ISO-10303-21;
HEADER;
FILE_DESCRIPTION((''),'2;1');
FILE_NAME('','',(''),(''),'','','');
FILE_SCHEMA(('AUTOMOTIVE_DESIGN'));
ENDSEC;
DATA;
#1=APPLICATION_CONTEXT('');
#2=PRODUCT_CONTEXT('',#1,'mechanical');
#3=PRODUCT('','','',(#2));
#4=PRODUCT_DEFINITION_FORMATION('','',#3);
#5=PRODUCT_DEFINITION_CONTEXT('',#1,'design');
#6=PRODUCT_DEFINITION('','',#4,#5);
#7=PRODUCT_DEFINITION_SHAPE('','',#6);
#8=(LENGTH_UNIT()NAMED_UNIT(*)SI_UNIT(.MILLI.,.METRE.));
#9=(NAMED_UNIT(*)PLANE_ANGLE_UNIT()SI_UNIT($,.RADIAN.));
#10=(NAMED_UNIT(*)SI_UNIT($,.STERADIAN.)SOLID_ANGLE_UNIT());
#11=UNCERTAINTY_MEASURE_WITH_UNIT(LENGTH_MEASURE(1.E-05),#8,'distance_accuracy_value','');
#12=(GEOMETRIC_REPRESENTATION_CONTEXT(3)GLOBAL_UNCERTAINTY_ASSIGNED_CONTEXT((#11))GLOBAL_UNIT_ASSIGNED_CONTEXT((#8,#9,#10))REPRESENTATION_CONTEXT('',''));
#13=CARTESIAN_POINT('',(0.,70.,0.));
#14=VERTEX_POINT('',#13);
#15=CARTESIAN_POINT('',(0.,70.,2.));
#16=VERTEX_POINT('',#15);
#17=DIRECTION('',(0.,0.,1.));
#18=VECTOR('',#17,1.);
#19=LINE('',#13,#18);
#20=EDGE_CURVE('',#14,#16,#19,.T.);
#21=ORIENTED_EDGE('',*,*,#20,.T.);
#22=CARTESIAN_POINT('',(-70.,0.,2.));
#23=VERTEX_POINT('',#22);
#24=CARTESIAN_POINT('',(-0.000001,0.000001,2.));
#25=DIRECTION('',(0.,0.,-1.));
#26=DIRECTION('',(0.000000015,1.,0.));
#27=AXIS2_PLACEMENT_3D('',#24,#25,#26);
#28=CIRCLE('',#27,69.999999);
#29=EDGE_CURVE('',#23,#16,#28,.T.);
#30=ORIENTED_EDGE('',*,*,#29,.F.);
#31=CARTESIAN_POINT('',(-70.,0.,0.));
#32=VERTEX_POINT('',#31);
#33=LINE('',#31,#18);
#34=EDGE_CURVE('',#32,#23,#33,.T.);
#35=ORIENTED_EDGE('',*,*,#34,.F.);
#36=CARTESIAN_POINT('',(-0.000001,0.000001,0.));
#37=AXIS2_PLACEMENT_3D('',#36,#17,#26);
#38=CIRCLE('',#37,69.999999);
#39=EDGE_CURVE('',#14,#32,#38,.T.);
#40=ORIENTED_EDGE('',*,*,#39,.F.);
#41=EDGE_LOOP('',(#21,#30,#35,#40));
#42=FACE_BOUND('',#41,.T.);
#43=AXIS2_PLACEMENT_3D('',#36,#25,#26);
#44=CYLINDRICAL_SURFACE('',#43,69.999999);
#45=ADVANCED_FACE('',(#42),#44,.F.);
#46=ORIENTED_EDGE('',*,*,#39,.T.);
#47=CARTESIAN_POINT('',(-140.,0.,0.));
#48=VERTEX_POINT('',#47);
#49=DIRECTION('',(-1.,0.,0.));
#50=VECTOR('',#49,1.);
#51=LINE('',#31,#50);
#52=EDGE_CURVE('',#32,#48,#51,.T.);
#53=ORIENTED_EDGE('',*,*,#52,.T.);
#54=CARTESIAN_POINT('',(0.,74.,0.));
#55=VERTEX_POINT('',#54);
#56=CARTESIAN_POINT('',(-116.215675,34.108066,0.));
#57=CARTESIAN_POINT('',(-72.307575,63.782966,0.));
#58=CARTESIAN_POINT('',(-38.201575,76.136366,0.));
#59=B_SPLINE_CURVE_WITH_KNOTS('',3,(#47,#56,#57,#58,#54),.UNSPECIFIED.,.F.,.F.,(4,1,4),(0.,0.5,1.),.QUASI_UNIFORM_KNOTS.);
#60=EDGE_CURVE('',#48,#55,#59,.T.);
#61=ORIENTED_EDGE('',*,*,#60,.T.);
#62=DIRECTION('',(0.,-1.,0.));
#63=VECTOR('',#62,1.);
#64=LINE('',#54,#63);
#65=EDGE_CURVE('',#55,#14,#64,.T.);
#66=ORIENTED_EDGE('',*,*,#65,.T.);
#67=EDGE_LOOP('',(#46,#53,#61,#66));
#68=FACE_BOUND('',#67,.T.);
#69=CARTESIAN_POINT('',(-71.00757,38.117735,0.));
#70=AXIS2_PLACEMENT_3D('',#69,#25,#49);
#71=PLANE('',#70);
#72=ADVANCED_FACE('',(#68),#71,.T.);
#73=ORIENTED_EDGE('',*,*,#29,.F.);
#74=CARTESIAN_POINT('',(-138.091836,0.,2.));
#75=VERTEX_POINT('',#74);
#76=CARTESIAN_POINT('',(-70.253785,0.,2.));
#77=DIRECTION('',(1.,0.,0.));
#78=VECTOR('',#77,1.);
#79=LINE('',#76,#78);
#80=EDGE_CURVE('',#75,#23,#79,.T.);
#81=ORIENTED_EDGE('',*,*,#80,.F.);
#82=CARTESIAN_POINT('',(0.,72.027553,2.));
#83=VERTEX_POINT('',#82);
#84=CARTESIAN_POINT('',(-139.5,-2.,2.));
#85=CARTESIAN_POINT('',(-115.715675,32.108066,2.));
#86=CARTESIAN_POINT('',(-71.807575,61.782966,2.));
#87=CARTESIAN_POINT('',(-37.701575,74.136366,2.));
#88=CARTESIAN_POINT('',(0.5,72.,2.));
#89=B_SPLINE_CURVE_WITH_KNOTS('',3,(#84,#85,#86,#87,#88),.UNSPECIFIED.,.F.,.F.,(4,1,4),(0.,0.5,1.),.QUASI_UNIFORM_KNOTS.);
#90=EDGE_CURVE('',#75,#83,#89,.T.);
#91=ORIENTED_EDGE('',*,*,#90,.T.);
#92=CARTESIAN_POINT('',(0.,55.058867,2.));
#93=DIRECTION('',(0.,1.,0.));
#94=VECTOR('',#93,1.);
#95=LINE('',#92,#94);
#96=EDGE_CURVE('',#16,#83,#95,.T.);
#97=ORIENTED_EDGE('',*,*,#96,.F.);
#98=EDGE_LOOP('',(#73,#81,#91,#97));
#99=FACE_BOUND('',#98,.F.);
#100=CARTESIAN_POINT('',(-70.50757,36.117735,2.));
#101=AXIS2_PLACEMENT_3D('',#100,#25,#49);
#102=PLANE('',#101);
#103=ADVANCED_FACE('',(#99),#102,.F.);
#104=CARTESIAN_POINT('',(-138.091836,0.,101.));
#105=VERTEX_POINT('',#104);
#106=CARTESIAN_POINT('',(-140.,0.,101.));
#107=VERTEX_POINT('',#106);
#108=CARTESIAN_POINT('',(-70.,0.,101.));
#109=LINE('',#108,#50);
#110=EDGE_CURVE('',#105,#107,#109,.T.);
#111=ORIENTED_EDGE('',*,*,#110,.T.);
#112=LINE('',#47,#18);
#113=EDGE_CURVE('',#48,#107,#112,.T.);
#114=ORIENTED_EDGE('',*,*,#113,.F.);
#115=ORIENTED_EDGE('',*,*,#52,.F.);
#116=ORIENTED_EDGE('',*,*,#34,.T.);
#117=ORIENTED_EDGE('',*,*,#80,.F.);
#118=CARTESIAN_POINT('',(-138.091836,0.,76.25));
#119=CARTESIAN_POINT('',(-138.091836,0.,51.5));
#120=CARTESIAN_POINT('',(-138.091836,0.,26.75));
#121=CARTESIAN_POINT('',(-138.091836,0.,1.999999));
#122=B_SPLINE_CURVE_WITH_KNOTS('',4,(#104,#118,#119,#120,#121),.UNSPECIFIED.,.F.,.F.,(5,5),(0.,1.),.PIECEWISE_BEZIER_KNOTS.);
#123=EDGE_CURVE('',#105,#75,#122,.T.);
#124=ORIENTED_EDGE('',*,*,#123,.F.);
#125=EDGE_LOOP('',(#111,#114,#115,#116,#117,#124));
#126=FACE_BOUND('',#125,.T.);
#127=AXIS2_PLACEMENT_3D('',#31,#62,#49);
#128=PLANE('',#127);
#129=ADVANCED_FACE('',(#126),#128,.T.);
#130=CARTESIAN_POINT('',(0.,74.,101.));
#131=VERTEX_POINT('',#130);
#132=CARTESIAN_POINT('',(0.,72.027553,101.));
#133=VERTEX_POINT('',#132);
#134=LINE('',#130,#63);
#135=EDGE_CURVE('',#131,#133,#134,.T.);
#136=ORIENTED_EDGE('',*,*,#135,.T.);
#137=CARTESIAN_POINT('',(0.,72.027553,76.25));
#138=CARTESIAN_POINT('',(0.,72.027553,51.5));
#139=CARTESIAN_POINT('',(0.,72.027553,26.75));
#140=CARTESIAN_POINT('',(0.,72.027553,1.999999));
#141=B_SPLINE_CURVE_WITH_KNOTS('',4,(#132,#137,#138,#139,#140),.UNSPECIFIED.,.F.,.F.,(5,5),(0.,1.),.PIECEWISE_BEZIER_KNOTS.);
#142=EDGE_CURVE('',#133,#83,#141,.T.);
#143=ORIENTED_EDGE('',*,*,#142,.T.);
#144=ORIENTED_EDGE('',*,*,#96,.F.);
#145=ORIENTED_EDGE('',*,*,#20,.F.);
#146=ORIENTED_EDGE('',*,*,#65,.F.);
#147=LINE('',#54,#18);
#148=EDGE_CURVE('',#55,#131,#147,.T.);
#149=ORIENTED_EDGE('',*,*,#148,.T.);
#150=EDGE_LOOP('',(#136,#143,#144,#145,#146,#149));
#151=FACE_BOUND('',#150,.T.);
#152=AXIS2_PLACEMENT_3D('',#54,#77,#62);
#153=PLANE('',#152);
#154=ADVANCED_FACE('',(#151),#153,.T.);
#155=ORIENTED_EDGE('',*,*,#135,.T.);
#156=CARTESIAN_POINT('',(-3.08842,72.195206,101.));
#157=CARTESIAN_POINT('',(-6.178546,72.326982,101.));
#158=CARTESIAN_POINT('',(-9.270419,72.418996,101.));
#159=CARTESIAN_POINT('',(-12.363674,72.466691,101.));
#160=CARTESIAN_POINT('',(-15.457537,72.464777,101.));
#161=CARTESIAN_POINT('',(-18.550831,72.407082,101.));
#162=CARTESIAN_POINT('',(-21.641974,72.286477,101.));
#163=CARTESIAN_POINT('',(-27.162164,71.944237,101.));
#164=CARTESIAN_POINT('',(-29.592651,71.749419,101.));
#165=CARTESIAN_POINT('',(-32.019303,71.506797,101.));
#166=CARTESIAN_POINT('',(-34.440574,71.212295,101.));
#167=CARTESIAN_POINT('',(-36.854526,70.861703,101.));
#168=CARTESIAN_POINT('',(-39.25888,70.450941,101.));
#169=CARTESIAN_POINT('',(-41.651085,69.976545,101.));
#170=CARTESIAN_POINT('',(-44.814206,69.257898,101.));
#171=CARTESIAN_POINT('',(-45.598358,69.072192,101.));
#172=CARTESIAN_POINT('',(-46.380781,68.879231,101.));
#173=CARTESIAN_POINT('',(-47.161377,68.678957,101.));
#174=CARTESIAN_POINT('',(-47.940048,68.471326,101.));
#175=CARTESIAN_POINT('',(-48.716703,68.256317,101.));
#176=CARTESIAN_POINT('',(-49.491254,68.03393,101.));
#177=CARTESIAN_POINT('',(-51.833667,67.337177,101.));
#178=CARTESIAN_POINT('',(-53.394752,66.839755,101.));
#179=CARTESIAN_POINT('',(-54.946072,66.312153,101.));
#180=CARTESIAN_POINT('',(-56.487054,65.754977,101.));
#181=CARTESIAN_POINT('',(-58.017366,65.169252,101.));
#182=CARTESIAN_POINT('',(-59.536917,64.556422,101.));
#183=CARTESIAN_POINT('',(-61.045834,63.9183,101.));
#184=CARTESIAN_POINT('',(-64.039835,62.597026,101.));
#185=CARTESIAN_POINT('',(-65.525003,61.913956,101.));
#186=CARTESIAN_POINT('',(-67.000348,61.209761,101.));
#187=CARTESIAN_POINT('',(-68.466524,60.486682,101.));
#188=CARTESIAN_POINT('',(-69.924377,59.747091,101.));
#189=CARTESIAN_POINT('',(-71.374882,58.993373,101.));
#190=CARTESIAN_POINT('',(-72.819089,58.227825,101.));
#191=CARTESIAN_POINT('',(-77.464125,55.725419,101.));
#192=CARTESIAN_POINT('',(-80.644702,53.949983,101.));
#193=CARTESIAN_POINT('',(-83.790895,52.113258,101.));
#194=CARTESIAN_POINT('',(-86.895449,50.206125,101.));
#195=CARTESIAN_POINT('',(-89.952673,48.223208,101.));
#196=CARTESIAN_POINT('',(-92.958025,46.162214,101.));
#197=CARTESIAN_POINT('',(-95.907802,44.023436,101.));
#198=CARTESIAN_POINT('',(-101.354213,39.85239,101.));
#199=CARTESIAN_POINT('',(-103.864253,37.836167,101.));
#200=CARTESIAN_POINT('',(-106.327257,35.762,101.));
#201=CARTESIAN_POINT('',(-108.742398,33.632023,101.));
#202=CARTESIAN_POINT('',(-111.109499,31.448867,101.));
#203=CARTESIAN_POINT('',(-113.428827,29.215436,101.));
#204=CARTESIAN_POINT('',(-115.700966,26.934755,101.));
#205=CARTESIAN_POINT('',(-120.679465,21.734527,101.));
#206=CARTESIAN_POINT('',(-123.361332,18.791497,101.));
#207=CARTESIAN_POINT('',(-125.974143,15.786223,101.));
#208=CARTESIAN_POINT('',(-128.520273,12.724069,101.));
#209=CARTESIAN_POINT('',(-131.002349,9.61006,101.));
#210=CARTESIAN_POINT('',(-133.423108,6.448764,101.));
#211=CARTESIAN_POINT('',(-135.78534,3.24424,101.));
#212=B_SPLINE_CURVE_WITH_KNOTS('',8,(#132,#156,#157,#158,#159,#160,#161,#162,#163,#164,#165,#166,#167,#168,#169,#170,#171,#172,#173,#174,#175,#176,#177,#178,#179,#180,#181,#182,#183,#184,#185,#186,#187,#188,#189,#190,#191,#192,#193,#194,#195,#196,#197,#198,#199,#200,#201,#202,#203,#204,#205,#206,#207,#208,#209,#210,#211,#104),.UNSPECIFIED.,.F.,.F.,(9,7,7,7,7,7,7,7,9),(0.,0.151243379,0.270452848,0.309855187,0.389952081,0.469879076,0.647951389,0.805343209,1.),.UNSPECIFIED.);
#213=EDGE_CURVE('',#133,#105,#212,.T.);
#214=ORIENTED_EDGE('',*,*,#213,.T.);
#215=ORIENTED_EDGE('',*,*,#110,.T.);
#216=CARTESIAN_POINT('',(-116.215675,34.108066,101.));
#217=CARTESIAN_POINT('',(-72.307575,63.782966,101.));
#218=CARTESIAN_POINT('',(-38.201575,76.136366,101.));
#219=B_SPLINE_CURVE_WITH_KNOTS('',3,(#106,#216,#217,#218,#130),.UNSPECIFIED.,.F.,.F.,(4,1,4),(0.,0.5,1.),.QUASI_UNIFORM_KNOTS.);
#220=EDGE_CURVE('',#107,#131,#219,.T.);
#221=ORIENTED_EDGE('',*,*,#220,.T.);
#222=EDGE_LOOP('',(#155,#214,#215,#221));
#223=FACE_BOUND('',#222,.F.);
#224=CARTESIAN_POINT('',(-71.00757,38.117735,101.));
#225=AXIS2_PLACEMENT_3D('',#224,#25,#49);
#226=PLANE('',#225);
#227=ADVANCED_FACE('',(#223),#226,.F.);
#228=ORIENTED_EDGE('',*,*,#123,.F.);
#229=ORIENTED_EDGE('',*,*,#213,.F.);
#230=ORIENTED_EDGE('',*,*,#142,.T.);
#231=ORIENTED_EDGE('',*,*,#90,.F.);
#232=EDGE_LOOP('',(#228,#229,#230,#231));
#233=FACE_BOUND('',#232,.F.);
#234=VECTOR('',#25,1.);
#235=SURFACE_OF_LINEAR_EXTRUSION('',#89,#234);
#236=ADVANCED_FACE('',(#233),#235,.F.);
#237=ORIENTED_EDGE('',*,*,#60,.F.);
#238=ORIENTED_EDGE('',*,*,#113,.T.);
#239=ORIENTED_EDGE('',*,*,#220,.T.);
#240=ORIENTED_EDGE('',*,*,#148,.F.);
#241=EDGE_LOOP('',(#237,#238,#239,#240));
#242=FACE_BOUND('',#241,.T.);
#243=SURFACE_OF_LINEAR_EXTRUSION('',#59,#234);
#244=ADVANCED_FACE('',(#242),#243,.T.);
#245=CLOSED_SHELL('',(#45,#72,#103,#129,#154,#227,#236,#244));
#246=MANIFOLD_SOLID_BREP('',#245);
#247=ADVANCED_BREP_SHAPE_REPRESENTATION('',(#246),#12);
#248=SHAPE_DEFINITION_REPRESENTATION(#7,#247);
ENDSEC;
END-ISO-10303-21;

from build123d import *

# Parameters (mm, degrees)
PAD001_DEPTH = 101
PAD_DEPTH    = 101


with BuildPart() as body001:
    # Sketch001 → Pad001 (new body)
    with BuildSketch(Plane.XY):
        with BuildLine():
            ThreePointArc((0, 70), (-49.497475, 49.497475), (-70, 0))
            Line((-70, 0), (-140, 0))
            add(Edge.make_bspline(
                [(-140, 0), (-116.215675, 34.108066), (-72.307575, 63.782966), (-38.201575, 76.136366), (0, 74)],
                knots=[0, 0, 0, 0, 0.5, 1, 1, 1, 1], degree=3))
            Line((0, 74), (0, 70))
        make_face()
    extrude(amount=PAD001_DEPTH)


with BuildPart() as body001_1:
    # Body001 placement: moved
    add(body001.part.moved(Location((0.5, -2, 2))))


with BuildPart() as cut:
    # Sketch → Pad (new body)
    with BuildSketch(Plane.XY):
        with BuildLine():
            ThreePointArc((0, 70), (-49.497475, 49.497475), (-70, 0))
            Line((-70, 0), (-140, 0))
            add(Edge.make_bspline(
                [(-140, 0), (-116.215675, 34.108066), (-72.307575, 63.782966), (-38.201575, 76.136366), (0, 74)],
                knots=[0, 0, 0, 0, 0.5, 1, 1, 1, 1], degree=3))
            Line((0, 74), (0, 70))
        make_face()
    extrude(amount=PAD_DEPTH)

    # Cut: cut Body001
    add(body001_1.part, mode=Mode.SUBTRACT)


solid = cut.part
